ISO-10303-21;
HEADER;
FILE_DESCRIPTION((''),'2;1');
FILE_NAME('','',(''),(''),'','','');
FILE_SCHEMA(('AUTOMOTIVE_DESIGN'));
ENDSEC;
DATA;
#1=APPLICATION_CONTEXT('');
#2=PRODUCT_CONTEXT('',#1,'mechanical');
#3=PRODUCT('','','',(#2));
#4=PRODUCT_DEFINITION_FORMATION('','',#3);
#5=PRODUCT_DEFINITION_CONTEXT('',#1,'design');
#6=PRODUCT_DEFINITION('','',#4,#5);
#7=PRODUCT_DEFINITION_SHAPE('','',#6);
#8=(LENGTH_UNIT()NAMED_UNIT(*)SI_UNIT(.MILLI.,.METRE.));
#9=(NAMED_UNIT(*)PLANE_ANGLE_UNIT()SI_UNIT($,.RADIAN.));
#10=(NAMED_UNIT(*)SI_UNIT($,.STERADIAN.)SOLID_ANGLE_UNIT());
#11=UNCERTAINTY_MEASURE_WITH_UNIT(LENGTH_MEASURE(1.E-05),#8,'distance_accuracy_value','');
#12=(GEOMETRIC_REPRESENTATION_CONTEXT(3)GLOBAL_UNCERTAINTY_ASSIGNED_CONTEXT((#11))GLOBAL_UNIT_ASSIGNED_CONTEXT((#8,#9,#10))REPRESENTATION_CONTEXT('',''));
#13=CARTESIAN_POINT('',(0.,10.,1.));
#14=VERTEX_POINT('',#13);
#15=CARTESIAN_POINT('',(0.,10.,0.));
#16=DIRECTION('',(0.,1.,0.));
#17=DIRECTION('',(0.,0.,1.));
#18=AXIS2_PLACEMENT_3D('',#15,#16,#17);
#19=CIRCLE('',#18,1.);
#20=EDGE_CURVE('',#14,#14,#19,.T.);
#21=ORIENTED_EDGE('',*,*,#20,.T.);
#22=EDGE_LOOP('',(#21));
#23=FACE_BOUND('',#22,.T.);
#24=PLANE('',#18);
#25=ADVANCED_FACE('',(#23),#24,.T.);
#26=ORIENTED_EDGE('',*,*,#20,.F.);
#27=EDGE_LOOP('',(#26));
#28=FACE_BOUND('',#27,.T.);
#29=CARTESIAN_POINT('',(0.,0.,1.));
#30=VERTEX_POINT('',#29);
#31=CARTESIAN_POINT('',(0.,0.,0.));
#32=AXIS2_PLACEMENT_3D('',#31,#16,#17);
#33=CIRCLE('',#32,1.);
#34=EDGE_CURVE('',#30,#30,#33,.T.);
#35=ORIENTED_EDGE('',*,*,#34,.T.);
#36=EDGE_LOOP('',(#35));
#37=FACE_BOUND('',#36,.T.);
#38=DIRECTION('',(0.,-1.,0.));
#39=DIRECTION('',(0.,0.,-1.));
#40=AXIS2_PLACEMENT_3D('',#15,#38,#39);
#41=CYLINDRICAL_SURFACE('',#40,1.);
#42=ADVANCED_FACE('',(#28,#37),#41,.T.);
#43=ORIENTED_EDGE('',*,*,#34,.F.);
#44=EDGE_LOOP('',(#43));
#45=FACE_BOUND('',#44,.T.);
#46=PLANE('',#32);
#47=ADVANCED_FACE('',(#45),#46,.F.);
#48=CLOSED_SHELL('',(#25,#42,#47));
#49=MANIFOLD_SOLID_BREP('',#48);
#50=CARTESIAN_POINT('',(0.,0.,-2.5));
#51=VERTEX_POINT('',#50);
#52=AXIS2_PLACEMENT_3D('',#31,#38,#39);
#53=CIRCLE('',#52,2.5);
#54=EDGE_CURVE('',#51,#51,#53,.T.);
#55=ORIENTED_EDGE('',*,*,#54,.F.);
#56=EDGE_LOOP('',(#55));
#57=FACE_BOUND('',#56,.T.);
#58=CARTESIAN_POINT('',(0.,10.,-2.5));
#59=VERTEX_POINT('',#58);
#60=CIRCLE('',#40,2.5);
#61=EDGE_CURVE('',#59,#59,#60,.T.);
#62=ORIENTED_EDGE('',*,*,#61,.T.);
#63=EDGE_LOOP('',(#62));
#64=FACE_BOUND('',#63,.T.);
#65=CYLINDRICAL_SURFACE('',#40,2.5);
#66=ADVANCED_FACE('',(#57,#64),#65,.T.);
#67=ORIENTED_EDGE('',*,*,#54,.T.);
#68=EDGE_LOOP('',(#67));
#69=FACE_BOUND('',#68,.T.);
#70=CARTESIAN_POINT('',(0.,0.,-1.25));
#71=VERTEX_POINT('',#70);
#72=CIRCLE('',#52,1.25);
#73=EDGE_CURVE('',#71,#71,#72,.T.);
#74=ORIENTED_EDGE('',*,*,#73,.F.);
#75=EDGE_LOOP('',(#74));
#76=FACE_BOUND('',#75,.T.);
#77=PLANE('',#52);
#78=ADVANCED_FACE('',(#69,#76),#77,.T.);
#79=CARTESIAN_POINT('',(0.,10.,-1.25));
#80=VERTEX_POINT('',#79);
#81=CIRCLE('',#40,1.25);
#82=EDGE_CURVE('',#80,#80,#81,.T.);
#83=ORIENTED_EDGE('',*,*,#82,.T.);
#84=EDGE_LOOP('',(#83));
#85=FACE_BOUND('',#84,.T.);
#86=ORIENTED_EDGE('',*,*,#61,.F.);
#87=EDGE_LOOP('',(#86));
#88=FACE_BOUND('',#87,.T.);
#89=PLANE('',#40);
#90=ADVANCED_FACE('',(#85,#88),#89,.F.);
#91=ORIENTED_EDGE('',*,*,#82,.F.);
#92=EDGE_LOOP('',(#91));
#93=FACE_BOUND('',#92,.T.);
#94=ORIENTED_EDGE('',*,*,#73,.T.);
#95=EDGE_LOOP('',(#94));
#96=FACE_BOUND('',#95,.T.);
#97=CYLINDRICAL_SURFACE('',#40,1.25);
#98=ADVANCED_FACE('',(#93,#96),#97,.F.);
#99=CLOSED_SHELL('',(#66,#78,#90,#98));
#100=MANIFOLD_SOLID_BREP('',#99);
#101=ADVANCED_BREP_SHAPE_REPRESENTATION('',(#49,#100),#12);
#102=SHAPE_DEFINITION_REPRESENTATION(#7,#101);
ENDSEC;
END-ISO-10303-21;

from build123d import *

# Parameters (mm, degrees)
SKETCH1_R           = 1
BOSS_EXTRUDE1_DEPTH = 10
SKETCH2_R           = 2.5
SKETCH2_R_2         = 1.25
BOSS_EXTRUDE2_DEPTH = 10


with BuildPart() as part:
    # Sketch1 → Boss-Extrude1 (new body)
    with BuildSketch(Plane(origin=(0, 0, 0), x_dir=(1, 0, 0), z_dir=(0, 1, 0))):
        with Locations(Location((0, 0, 0), (0, 0, 270))):
            Circle(SKETCH1_R)
    extrude(amount=BOSS_EXTRUDE1_DEPTH)


with BuildPart() as body_2:
    # Sketch2 → Boss-Extrude2 (new body)
    with BuildSketch(Plane.XZ):
        with Locations(Location((0, 0, 0), (0, 0, 270))):
            Circle(SKETCH2_R)
        with Locations(Location((0, 0, 0), (0, 0, 270))):
            Circle(SKETCH2_R_2, mode=Mode.SUBTRACT)
    extrude(amount=-BOSS_EXTRUDE2_DEPTH)


solid = Compound([part.part, body_2.part])
